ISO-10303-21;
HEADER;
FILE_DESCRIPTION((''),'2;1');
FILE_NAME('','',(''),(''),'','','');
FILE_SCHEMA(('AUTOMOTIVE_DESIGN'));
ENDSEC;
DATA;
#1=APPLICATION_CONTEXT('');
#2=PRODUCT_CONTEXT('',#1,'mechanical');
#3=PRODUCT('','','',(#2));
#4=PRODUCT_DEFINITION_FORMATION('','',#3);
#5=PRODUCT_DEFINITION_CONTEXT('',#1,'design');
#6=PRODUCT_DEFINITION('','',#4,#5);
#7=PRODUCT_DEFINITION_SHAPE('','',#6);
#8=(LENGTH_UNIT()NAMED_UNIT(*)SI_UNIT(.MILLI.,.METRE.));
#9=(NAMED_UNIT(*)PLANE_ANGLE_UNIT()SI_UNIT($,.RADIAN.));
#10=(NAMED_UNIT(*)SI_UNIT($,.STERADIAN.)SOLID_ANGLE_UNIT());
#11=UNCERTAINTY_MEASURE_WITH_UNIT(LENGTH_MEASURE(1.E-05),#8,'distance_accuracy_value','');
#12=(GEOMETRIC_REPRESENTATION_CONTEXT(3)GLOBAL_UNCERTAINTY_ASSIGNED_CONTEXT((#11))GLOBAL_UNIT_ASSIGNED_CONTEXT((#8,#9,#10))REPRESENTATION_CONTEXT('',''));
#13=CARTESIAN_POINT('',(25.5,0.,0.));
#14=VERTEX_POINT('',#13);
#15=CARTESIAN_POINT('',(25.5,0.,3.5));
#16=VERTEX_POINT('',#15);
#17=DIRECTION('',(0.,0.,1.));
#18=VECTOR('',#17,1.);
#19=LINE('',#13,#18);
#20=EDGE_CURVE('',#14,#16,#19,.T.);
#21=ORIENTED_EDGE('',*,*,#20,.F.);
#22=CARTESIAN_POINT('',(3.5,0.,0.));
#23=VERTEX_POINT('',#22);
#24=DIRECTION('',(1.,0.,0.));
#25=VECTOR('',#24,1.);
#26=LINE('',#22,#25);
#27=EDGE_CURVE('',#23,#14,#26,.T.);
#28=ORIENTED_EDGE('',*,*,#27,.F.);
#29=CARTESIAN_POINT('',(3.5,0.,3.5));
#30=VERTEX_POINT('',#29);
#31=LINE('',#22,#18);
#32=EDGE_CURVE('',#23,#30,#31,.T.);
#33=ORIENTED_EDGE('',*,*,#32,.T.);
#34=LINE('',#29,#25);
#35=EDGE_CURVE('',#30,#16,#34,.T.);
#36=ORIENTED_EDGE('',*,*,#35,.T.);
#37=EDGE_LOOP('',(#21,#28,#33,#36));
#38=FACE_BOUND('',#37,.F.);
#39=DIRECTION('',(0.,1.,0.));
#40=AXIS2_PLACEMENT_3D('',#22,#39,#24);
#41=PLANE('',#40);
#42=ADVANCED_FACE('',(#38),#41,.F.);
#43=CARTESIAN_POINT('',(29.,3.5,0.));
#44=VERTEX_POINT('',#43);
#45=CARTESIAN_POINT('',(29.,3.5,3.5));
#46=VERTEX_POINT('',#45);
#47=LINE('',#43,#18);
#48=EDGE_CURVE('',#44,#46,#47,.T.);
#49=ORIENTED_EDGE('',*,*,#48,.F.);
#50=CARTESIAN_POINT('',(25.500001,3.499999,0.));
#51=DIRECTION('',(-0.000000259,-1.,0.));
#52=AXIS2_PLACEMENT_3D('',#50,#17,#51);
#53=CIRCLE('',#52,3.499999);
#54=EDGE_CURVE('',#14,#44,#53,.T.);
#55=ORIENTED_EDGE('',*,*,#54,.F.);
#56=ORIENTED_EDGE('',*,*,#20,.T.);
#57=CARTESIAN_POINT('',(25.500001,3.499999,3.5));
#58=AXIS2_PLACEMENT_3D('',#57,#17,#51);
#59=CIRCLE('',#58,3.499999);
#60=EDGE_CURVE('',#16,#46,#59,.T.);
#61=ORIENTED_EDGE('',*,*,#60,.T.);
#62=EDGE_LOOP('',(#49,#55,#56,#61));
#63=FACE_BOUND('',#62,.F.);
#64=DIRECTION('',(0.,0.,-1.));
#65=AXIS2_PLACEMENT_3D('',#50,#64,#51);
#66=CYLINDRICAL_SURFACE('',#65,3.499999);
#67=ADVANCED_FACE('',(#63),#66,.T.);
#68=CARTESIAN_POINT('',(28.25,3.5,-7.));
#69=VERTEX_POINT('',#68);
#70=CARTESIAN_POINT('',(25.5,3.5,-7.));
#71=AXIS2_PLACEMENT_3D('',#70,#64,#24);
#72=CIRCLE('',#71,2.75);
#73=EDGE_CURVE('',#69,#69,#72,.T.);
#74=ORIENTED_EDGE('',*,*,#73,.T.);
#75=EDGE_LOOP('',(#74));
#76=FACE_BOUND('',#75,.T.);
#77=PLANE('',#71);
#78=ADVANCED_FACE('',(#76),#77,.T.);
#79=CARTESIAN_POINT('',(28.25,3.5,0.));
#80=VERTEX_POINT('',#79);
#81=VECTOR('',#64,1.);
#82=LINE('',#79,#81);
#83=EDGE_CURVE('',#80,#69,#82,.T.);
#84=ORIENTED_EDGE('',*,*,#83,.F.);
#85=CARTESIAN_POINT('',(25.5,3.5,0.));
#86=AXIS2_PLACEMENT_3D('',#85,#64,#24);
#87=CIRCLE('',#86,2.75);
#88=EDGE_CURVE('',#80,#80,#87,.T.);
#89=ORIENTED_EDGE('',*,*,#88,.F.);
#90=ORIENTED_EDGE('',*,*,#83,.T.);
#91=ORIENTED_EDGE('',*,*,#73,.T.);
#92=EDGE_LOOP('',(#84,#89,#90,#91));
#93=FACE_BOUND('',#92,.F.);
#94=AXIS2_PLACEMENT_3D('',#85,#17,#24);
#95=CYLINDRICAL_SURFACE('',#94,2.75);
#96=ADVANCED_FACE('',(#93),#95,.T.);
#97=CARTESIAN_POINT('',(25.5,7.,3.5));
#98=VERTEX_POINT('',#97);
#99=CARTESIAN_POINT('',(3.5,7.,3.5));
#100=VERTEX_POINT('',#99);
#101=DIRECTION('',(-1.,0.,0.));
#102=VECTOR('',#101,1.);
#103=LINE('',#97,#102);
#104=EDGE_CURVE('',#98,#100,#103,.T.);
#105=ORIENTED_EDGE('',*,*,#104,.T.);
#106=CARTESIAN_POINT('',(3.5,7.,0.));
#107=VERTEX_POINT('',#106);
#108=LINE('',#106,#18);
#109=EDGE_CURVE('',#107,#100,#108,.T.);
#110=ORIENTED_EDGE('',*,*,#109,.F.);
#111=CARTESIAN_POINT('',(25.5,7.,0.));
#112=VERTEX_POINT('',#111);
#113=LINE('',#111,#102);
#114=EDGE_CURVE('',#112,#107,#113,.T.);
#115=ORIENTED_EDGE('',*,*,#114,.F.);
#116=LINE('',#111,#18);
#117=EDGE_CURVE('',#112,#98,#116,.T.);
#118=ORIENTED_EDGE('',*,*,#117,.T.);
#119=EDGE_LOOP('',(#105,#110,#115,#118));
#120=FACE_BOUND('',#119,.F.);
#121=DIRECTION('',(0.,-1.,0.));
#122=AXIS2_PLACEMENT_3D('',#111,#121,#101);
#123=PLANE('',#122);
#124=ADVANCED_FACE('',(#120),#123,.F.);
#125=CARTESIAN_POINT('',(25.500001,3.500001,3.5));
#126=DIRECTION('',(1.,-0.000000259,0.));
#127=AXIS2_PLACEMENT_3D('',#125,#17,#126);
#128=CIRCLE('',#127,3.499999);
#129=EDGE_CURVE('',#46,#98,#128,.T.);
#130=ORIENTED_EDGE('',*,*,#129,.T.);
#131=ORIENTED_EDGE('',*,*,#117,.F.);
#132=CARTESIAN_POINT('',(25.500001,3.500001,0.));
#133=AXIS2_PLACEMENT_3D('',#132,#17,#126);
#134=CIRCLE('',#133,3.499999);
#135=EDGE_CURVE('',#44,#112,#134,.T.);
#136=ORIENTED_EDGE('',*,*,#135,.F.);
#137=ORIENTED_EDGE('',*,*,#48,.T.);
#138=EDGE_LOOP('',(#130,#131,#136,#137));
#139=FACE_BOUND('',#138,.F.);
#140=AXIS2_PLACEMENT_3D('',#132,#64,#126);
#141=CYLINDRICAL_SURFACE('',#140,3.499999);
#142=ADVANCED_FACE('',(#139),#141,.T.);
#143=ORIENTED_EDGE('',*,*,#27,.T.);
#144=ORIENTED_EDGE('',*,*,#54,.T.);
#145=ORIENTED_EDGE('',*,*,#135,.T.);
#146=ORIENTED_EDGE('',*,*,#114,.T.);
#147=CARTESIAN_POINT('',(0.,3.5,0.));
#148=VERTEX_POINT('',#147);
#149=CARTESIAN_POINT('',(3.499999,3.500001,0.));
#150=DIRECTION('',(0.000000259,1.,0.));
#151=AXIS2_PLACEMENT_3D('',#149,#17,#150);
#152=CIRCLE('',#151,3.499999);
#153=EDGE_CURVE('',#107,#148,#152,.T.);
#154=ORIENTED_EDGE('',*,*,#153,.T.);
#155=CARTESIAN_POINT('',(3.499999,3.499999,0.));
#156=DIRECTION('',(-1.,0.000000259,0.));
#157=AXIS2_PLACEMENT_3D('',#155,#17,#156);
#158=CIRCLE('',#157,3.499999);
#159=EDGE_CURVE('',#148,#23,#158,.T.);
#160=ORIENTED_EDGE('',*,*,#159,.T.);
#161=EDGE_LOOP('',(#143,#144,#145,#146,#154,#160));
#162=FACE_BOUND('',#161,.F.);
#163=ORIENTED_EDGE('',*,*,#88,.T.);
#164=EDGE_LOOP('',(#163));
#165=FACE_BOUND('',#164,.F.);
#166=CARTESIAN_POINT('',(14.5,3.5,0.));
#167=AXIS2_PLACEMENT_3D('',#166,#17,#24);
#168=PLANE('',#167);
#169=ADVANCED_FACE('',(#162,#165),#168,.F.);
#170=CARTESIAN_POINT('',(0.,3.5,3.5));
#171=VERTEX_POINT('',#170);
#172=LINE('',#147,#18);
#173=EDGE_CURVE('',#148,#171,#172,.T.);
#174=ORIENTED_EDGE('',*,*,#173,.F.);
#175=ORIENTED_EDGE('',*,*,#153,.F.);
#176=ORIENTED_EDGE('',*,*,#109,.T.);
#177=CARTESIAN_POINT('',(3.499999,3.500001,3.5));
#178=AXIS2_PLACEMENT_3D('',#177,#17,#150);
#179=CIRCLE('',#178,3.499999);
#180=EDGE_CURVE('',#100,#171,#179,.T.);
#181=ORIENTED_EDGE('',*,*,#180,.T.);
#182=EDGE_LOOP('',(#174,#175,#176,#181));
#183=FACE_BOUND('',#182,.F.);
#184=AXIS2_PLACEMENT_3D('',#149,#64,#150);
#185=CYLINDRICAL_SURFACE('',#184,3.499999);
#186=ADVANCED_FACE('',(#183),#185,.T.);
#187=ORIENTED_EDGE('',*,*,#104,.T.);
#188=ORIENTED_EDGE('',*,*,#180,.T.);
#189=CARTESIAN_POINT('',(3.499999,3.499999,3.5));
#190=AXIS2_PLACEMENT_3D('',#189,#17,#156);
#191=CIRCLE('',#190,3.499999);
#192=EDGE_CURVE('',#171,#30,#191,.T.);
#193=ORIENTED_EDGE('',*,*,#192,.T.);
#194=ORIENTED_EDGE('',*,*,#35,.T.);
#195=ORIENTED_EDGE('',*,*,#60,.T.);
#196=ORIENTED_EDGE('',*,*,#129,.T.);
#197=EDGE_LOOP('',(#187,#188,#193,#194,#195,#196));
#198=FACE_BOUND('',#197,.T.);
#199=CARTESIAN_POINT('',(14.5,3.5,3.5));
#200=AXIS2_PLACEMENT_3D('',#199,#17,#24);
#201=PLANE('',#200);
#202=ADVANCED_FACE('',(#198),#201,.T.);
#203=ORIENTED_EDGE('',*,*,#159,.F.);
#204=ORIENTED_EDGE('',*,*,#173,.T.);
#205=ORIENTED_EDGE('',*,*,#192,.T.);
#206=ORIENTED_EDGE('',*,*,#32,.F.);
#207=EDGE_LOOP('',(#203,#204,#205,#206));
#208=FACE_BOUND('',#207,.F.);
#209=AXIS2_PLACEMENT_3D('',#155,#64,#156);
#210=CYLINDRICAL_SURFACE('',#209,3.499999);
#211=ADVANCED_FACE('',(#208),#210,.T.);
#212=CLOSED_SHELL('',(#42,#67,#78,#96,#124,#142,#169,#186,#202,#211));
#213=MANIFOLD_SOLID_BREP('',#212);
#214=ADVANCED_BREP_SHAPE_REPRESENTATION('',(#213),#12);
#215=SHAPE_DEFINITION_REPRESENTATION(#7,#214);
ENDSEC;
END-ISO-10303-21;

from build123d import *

# Parameters (mm, degrees)
F1_DEPTH = 3.5
F2_R     = 2.75
F3_DEPTH = 7


with BuildPart() as f1:
    # F0 (on Top) → F1 (new body)
    with BuildSketch(Plane.XY):
        with BuildLine():
            ThreePointArc((0, 3.5), (1.025126, 1.025126), (3.5, 0))
            Line((3.5, 0), (25.5, 0))
            ThreePointArc((25.5, 0), (27.974874, 1.025126), (29, 3.5))
            ThreePointArc((29, 3.5), (27.974874, 5.974874), (25.5, 7))
            Line((25.5, 7), (3.5, 7))
            ThreePointArc((3.5, 7), (1.025126, 5.974874), (0, 3.5))
        make_face()
    extrude(amount=F1_DEPTH)

    # F2 (on face) → F3 (join)
    with BuildSketch(Plane(origin=(0, 0, 0), x_dir=(1, 0, 0), z_dir=(0, 0, -1))):
        with Locations((25.5, -3.5)):
            Circle(F2_R)
    extrude(amount=F3_DEPTH)


solid = f1.part
